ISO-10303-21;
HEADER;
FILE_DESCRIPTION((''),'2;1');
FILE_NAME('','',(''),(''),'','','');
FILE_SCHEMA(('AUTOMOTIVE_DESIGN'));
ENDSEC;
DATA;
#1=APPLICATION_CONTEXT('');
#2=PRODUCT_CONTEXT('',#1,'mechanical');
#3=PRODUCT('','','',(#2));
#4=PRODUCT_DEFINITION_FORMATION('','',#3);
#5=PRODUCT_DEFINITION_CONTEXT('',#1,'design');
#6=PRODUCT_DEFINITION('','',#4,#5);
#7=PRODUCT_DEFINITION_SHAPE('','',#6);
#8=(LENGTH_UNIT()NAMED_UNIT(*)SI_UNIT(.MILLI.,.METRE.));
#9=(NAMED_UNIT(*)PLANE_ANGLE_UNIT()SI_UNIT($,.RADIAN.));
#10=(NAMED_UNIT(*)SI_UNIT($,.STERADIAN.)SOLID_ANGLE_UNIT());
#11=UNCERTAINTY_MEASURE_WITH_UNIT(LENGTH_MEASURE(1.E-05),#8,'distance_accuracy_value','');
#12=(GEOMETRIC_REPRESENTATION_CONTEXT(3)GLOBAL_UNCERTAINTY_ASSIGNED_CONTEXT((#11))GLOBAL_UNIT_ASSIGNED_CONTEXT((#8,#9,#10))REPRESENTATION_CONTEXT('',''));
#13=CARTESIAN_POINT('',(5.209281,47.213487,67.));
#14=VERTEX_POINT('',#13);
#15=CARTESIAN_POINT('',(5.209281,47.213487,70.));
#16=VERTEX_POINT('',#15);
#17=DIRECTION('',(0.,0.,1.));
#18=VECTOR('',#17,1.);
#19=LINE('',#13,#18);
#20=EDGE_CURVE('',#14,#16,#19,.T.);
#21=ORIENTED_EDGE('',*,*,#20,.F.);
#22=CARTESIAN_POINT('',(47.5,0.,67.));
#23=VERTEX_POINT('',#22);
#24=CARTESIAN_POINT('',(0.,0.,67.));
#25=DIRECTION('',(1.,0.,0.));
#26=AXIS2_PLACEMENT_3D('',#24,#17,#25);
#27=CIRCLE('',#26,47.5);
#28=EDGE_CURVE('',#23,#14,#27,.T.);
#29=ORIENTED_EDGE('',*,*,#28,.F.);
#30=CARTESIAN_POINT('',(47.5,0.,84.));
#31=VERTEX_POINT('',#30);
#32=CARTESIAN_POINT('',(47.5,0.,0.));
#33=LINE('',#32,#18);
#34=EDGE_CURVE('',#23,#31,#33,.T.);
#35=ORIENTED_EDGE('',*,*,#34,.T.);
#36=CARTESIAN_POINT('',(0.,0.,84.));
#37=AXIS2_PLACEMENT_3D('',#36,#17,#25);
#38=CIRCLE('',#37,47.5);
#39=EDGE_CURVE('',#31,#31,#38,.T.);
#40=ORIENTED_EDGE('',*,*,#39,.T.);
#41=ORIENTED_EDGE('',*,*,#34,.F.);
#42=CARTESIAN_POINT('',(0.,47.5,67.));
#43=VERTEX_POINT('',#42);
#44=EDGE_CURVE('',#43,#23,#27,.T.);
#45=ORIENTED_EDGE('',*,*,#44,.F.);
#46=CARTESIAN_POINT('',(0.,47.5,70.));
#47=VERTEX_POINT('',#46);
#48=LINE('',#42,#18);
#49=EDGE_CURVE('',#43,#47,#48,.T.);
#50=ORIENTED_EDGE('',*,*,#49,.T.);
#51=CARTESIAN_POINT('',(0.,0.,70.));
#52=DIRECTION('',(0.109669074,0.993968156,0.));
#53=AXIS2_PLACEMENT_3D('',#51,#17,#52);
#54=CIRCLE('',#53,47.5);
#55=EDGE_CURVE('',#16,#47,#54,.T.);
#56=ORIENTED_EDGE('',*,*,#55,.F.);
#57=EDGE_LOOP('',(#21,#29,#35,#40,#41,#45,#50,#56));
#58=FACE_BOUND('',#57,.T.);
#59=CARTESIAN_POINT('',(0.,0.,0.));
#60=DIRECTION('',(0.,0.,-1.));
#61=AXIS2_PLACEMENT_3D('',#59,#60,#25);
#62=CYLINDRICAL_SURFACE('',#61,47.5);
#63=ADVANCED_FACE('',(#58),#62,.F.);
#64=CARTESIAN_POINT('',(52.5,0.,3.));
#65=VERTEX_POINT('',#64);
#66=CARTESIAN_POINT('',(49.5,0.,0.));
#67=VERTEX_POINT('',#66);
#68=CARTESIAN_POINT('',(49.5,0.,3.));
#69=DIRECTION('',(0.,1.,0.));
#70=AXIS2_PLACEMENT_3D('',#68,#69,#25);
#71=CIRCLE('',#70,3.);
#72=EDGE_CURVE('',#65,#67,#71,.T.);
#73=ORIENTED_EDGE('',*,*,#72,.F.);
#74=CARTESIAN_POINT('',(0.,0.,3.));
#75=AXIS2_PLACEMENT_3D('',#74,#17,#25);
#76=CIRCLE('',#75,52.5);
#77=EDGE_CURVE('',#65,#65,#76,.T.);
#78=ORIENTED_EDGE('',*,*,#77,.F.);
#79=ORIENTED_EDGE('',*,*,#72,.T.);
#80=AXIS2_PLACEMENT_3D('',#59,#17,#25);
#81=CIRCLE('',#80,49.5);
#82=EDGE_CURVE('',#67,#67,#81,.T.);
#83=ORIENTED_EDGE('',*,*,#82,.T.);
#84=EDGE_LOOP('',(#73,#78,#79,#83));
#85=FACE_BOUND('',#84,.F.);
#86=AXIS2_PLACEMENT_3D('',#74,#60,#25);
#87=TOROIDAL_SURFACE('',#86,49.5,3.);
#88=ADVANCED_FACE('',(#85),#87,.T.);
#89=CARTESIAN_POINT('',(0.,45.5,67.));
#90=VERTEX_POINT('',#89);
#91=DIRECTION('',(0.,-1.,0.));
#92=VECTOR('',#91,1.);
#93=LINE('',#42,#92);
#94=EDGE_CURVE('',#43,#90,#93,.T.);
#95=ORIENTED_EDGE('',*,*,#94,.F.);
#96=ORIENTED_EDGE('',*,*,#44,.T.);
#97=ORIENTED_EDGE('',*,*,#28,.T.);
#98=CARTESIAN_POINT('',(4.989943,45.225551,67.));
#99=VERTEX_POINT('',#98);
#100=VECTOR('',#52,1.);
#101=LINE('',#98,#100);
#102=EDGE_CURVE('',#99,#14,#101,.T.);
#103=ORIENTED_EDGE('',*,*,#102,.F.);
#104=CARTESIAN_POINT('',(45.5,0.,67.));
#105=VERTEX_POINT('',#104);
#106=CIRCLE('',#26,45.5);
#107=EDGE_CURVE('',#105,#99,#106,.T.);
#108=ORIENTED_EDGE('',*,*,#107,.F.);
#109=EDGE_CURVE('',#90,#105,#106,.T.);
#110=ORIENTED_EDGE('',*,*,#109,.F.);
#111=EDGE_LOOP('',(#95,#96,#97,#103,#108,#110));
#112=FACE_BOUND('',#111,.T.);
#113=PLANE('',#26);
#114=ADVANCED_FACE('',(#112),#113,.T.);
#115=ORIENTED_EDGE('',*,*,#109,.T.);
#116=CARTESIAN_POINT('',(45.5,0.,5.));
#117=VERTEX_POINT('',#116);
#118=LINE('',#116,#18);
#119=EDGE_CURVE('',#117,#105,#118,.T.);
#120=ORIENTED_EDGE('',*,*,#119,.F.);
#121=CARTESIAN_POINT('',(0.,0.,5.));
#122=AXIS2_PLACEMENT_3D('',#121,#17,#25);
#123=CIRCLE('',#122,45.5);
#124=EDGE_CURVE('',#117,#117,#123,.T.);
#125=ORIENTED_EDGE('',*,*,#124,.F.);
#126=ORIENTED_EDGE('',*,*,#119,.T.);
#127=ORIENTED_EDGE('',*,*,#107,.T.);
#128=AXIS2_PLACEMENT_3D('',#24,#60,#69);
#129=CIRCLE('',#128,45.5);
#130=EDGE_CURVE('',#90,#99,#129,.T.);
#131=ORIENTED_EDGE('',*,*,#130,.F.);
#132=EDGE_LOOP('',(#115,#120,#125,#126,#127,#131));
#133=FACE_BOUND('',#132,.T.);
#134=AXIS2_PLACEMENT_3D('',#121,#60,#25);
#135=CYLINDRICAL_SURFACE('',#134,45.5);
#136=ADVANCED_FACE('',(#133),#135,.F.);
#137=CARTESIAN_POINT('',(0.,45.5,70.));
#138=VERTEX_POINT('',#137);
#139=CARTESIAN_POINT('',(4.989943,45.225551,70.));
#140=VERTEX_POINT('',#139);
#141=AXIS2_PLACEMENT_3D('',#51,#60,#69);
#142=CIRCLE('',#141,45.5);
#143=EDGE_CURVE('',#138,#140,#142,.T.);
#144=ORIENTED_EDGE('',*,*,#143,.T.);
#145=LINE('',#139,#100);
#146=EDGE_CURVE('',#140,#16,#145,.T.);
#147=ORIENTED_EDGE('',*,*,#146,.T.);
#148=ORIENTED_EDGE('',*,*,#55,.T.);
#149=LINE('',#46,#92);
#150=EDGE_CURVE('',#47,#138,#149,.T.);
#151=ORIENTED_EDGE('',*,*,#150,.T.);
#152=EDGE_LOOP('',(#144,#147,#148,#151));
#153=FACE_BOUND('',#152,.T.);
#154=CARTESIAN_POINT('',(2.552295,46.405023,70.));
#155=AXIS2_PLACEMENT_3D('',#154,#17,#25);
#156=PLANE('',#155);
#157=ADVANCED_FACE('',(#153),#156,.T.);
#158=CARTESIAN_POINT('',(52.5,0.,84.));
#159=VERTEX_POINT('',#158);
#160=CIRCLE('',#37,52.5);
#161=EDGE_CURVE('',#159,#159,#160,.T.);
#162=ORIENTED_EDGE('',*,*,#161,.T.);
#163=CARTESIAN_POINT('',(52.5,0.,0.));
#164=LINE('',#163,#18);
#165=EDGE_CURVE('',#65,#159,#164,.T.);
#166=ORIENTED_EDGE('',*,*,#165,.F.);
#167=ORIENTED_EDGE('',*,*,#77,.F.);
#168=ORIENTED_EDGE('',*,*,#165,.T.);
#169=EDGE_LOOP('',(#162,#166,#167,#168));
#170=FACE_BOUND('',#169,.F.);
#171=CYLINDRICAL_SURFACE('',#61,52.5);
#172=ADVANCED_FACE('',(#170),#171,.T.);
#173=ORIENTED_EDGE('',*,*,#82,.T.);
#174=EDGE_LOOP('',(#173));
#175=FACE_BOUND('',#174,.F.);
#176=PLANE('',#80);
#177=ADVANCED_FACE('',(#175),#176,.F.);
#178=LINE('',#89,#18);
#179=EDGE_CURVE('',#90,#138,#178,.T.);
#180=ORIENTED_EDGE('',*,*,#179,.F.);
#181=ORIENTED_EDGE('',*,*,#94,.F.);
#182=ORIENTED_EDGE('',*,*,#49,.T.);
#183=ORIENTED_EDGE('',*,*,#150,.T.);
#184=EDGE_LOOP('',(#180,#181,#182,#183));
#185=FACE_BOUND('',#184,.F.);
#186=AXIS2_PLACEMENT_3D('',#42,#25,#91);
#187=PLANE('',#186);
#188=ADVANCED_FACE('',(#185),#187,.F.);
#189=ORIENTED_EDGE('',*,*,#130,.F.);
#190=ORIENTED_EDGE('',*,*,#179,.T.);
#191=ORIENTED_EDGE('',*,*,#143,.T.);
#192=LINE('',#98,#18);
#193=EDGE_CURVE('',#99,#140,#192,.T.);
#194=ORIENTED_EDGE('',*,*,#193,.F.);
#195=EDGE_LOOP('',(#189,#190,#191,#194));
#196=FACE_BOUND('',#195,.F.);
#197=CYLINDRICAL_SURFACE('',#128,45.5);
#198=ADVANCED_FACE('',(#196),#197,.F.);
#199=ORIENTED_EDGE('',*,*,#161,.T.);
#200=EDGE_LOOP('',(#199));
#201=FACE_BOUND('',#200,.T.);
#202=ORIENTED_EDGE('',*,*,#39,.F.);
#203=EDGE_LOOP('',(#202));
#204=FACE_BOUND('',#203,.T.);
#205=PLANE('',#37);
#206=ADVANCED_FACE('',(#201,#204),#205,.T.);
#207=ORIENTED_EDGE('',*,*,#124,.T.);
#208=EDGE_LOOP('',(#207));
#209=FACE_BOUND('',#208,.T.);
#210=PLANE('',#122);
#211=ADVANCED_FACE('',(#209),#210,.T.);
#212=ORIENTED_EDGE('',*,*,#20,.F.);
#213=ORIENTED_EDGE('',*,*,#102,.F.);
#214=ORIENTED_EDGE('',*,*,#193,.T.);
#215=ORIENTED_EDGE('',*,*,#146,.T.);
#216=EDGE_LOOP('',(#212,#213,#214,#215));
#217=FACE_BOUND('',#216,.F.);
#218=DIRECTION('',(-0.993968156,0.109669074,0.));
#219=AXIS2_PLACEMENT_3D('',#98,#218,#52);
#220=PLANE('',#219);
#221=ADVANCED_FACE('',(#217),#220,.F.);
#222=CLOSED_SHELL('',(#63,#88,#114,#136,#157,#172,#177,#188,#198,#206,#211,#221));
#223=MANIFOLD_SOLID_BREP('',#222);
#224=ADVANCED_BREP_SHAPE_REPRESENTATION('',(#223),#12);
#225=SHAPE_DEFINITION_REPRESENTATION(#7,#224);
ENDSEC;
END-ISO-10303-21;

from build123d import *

# Parameters (mm, degrees)
F0_R     = 52.5
F1_DEPTH = 84
F2_T     = -5
F3_R     = 47.5
F3_R_2   = 45.5
F4_DEPTH = 62
F5_R     = 3
F7_DEPTH = 3


with BuildPart() as f1:
    # F0 (on Top) → F1 (new body)
    with BuildSketch(Plane.XY):
        Circle(F0_R)
    extrude(amount=F1_DEPTH)

    # F2
    f2_openings = [f1.faces().sort_by_distance(p)[0] for p in [
        (0, 0, 84),
    ]]
    offset(amount=F2_T, openings=f2_openings)

    # F3 (on face) → F4 (join)
    with BuildSketch(Plane.XY.offset(5)):
        Circle(F3_R)
        Circle(F3_R_2, mode=Mode.SUBTRACT)
    extrude(amount=F4_DEPTH)

    # F5
    f5_edges = [f1.edges().sort_by_distance(p)[0] for p in [
        (-52.5, 0, 0),
    ]]
    fillet(f5_edges, radius=F5_R)

    # F6 (on face) → F7 (join)
    with BuildSketch(Plane.XY.offset(67)):
        with BuildLine():
            ThreePointArc((5.2092810259, 47.2134873865), (2.6085771162, 47.4283177588), (0, 47.5))
            Line((0, 47.5), (0, 45.5))
            ThreePointArc((0, 45.5), (2.4987422903, 45.4313359584), (4.9899428775, 45.2255510755))
            Line((4.9899428775, 45.2255510755), (5.2092810259, 47.2134873865))
        make_face()
    extrude(amount=F7_DEPTH)


solid = f1.part
